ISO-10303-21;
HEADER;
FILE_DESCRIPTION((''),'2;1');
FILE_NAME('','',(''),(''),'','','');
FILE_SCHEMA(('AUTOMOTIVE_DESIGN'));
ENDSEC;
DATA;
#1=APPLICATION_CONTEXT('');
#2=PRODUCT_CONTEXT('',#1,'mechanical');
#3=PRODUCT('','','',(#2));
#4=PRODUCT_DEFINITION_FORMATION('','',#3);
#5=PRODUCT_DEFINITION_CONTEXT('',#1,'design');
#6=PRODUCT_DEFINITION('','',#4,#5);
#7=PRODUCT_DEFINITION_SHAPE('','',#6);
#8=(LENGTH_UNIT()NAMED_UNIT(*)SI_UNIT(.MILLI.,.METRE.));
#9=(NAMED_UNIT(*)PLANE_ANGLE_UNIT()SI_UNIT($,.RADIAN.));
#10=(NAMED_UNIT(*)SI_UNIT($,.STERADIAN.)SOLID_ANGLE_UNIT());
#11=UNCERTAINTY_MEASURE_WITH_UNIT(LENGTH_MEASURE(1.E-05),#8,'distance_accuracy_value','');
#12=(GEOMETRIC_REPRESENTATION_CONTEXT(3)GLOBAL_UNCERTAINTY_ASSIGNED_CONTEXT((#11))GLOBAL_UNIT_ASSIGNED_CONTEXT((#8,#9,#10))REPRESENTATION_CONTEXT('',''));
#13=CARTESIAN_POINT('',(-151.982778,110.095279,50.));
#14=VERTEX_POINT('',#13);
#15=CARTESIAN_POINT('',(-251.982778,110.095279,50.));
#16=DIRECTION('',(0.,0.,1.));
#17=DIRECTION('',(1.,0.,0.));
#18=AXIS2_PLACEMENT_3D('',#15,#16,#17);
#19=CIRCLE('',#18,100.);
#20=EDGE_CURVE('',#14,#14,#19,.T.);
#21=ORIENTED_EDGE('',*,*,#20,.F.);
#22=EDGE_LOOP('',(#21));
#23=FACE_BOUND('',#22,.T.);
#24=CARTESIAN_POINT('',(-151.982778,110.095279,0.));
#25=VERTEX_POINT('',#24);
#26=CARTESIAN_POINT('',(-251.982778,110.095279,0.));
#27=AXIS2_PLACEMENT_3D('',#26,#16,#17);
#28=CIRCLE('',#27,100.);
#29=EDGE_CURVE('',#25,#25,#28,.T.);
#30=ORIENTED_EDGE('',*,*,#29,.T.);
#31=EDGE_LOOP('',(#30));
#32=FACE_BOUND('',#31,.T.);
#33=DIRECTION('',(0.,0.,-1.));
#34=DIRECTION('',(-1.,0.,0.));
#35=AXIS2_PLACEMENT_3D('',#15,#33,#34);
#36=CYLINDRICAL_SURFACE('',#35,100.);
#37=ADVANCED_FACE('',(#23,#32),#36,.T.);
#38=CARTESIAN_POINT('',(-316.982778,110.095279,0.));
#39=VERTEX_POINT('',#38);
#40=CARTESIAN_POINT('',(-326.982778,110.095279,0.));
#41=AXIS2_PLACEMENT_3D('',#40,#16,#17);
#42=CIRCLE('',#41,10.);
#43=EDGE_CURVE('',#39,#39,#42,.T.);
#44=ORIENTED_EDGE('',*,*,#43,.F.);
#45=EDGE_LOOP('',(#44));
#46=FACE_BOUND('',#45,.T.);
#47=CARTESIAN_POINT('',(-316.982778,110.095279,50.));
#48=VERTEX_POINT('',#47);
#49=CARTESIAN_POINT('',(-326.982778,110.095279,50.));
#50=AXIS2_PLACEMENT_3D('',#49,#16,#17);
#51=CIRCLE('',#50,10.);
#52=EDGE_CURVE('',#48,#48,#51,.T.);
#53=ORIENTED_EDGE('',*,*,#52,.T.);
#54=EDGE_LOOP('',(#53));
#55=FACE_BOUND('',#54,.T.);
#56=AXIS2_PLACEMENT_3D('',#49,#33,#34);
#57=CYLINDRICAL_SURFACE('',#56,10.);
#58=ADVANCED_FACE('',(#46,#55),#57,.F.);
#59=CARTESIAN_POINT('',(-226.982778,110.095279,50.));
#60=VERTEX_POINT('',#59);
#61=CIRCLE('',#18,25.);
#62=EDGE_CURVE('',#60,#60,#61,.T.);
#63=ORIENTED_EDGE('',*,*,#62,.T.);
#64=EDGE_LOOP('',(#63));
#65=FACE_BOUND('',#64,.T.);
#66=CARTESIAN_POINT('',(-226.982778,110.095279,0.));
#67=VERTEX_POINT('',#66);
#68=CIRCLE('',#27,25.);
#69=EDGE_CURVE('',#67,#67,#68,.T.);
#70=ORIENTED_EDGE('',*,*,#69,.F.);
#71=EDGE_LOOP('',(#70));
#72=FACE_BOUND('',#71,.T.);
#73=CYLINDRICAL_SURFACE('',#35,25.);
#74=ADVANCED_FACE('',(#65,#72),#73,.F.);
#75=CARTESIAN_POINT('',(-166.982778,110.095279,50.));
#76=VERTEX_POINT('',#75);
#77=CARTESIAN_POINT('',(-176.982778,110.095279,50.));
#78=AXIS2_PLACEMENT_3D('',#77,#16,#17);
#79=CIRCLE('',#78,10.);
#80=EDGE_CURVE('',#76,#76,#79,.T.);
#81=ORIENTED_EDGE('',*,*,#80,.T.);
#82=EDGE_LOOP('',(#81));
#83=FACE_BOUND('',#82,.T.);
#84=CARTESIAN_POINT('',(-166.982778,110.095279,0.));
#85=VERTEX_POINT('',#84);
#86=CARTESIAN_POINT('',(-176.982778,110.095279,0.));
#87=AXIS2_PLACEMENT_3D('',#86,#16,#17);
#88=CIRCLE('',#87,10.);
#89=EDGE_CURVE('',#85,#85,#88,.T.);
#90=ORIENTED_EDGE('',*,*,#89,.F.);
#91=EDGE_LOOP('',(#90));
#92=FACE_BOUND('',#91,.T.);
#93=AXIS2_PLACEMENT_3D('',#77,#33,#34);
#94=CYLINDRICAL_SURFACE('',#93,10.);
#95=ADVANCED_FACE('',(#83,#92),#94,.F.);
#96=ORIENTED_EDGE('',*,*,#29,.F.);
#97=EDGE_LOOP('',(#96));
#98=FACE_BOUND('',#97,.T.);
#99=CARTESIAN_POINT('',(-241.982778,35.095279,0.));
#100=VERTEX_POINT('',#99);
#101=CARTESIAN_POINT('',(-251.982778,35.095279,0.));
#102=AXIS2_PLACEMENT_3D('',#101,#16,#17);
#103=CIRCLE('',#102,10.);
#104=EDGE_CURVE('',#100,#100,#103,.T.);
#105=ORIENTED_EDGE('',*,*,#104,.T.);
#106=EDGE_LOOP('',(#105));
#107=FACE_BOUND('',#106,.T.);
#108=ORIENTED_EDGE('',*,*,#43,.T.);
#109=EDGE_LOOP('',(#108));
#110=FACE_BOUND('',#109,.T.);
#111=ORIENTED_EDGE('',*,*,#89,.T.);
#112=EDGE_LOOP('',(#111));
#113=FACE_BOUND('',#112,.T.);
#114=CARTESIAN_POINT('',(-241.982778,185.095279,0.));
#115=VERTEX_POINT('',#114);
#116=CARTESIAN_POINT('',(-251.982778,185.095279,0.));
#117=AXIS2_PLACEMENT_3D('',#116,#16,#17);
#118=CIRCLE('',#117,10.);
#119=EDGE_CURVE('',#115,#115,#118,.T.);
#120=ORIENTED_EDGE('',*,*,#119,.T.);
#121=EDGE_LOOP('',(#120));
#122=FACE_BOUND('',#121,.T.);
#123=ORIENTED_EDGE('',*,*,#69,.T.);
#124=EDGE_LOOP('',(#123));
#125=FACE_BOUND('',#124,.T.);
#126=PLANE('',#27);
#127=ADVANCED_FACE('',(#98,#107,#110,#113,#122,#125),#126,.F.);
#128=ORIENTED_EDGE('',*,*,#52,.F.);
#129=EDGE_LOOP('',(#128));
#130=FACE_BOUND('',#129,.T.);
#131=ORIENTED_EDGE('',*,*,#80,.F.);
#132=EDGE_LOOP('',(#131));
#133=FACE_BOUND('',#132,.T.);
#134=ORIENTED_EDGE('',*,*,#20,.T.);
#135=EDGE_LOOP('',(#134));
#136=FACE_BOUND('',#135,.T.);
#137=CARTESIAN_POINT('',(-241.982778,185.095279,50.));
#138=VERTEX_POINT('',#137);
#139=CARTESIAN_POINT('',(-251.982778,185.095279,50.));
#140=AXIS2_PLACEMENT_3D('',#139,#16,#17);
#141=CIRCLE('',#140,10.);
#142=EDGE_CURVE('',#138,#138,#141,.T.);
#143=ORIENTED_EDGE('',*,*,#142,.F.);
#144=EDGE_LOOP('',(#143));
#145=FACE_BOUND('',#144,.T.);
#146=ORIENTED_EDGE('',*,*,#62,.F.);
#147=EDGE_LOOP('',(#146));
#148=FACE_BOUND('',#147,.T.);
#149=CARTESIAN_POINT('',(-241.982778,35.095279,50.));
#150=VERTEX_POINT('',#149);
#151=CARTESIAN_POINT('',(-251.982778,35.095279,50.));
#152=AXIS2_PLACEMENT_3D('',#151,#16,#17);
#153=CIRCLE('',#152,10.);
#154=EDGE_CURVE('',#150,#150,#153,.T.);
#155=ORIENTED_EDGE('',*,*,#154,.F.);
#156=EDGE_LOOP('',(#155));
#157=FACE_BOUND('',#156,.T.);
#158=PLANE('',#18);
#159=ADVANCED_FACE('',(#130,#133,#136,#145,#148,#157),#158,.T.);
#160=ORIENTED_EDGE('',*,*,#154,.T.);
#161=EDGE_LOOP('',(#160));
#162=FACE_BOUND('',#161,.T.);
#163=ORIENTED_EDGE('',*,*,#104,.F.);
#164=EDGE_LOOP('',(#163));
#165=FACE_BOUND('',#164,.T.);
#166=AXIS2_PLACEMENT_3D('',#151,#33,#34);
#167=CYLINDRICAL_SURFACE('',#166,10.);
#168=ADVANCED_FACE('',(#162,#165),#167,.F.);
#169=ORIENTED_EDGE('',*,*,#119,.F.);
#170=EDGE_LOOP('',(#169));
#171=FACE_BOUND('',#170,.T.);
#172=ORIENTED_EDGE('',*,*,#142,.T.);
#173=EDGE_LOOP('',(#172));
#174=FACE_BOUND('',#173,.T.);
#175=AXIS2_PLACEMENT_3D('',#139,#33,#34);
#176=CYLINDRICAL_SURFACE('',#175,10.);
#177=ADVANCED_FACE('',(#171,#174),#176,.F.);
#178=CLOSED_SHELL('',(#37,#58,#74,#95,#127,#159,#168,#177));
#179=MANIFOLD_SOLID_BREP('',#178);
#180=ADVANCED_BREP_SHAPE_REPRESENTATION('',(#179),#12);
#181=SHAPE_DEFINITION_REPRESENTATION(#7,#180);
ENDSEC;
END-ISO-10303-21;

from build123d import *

# Parameters (mm, degrees)
SKETCH1_R           = 100
SKETCH1_R_2         = 10
SKETCH1_R_3         = 25
BOSS_EXTRUDE2_DEPTH = 50


with BuildPart() as part:
    # Sketch1 → Boss-Extrude2 (new body)
    with BuildSketch(Plane.XY):
        with Locations((-251.982778427, 110.09527936)):
            Circle(SKETCH1_R)
        with Locations((-251.982778427, 185.09527936)):
            Circle(SKETCH1_R_2, mode=Mode.SUBTRACT)
        with Locations((-176.982778427, 110.09527936)):
            Circle(SKETCH1_R_2, mode=Mode.SUBTRACT)
        with Locations((-251.982778427, 35.09527936)):
            Circle(SKETCH1_R_2, mode=Mode.SUBTRACT)
        with Locations((-326.982778427, 110.09527936)):
            Circle(SKETCH1_R_2, mode=Mode.SUBTRACT)
        with Locations((-251.982778427, 110.09527936)):
            Circle(SKETCH1_R_3, mode=Mode.SUBTRACT)
    extrude(amount=BOSS_EXTRUDE2_DEPTH)


solid = part.part
